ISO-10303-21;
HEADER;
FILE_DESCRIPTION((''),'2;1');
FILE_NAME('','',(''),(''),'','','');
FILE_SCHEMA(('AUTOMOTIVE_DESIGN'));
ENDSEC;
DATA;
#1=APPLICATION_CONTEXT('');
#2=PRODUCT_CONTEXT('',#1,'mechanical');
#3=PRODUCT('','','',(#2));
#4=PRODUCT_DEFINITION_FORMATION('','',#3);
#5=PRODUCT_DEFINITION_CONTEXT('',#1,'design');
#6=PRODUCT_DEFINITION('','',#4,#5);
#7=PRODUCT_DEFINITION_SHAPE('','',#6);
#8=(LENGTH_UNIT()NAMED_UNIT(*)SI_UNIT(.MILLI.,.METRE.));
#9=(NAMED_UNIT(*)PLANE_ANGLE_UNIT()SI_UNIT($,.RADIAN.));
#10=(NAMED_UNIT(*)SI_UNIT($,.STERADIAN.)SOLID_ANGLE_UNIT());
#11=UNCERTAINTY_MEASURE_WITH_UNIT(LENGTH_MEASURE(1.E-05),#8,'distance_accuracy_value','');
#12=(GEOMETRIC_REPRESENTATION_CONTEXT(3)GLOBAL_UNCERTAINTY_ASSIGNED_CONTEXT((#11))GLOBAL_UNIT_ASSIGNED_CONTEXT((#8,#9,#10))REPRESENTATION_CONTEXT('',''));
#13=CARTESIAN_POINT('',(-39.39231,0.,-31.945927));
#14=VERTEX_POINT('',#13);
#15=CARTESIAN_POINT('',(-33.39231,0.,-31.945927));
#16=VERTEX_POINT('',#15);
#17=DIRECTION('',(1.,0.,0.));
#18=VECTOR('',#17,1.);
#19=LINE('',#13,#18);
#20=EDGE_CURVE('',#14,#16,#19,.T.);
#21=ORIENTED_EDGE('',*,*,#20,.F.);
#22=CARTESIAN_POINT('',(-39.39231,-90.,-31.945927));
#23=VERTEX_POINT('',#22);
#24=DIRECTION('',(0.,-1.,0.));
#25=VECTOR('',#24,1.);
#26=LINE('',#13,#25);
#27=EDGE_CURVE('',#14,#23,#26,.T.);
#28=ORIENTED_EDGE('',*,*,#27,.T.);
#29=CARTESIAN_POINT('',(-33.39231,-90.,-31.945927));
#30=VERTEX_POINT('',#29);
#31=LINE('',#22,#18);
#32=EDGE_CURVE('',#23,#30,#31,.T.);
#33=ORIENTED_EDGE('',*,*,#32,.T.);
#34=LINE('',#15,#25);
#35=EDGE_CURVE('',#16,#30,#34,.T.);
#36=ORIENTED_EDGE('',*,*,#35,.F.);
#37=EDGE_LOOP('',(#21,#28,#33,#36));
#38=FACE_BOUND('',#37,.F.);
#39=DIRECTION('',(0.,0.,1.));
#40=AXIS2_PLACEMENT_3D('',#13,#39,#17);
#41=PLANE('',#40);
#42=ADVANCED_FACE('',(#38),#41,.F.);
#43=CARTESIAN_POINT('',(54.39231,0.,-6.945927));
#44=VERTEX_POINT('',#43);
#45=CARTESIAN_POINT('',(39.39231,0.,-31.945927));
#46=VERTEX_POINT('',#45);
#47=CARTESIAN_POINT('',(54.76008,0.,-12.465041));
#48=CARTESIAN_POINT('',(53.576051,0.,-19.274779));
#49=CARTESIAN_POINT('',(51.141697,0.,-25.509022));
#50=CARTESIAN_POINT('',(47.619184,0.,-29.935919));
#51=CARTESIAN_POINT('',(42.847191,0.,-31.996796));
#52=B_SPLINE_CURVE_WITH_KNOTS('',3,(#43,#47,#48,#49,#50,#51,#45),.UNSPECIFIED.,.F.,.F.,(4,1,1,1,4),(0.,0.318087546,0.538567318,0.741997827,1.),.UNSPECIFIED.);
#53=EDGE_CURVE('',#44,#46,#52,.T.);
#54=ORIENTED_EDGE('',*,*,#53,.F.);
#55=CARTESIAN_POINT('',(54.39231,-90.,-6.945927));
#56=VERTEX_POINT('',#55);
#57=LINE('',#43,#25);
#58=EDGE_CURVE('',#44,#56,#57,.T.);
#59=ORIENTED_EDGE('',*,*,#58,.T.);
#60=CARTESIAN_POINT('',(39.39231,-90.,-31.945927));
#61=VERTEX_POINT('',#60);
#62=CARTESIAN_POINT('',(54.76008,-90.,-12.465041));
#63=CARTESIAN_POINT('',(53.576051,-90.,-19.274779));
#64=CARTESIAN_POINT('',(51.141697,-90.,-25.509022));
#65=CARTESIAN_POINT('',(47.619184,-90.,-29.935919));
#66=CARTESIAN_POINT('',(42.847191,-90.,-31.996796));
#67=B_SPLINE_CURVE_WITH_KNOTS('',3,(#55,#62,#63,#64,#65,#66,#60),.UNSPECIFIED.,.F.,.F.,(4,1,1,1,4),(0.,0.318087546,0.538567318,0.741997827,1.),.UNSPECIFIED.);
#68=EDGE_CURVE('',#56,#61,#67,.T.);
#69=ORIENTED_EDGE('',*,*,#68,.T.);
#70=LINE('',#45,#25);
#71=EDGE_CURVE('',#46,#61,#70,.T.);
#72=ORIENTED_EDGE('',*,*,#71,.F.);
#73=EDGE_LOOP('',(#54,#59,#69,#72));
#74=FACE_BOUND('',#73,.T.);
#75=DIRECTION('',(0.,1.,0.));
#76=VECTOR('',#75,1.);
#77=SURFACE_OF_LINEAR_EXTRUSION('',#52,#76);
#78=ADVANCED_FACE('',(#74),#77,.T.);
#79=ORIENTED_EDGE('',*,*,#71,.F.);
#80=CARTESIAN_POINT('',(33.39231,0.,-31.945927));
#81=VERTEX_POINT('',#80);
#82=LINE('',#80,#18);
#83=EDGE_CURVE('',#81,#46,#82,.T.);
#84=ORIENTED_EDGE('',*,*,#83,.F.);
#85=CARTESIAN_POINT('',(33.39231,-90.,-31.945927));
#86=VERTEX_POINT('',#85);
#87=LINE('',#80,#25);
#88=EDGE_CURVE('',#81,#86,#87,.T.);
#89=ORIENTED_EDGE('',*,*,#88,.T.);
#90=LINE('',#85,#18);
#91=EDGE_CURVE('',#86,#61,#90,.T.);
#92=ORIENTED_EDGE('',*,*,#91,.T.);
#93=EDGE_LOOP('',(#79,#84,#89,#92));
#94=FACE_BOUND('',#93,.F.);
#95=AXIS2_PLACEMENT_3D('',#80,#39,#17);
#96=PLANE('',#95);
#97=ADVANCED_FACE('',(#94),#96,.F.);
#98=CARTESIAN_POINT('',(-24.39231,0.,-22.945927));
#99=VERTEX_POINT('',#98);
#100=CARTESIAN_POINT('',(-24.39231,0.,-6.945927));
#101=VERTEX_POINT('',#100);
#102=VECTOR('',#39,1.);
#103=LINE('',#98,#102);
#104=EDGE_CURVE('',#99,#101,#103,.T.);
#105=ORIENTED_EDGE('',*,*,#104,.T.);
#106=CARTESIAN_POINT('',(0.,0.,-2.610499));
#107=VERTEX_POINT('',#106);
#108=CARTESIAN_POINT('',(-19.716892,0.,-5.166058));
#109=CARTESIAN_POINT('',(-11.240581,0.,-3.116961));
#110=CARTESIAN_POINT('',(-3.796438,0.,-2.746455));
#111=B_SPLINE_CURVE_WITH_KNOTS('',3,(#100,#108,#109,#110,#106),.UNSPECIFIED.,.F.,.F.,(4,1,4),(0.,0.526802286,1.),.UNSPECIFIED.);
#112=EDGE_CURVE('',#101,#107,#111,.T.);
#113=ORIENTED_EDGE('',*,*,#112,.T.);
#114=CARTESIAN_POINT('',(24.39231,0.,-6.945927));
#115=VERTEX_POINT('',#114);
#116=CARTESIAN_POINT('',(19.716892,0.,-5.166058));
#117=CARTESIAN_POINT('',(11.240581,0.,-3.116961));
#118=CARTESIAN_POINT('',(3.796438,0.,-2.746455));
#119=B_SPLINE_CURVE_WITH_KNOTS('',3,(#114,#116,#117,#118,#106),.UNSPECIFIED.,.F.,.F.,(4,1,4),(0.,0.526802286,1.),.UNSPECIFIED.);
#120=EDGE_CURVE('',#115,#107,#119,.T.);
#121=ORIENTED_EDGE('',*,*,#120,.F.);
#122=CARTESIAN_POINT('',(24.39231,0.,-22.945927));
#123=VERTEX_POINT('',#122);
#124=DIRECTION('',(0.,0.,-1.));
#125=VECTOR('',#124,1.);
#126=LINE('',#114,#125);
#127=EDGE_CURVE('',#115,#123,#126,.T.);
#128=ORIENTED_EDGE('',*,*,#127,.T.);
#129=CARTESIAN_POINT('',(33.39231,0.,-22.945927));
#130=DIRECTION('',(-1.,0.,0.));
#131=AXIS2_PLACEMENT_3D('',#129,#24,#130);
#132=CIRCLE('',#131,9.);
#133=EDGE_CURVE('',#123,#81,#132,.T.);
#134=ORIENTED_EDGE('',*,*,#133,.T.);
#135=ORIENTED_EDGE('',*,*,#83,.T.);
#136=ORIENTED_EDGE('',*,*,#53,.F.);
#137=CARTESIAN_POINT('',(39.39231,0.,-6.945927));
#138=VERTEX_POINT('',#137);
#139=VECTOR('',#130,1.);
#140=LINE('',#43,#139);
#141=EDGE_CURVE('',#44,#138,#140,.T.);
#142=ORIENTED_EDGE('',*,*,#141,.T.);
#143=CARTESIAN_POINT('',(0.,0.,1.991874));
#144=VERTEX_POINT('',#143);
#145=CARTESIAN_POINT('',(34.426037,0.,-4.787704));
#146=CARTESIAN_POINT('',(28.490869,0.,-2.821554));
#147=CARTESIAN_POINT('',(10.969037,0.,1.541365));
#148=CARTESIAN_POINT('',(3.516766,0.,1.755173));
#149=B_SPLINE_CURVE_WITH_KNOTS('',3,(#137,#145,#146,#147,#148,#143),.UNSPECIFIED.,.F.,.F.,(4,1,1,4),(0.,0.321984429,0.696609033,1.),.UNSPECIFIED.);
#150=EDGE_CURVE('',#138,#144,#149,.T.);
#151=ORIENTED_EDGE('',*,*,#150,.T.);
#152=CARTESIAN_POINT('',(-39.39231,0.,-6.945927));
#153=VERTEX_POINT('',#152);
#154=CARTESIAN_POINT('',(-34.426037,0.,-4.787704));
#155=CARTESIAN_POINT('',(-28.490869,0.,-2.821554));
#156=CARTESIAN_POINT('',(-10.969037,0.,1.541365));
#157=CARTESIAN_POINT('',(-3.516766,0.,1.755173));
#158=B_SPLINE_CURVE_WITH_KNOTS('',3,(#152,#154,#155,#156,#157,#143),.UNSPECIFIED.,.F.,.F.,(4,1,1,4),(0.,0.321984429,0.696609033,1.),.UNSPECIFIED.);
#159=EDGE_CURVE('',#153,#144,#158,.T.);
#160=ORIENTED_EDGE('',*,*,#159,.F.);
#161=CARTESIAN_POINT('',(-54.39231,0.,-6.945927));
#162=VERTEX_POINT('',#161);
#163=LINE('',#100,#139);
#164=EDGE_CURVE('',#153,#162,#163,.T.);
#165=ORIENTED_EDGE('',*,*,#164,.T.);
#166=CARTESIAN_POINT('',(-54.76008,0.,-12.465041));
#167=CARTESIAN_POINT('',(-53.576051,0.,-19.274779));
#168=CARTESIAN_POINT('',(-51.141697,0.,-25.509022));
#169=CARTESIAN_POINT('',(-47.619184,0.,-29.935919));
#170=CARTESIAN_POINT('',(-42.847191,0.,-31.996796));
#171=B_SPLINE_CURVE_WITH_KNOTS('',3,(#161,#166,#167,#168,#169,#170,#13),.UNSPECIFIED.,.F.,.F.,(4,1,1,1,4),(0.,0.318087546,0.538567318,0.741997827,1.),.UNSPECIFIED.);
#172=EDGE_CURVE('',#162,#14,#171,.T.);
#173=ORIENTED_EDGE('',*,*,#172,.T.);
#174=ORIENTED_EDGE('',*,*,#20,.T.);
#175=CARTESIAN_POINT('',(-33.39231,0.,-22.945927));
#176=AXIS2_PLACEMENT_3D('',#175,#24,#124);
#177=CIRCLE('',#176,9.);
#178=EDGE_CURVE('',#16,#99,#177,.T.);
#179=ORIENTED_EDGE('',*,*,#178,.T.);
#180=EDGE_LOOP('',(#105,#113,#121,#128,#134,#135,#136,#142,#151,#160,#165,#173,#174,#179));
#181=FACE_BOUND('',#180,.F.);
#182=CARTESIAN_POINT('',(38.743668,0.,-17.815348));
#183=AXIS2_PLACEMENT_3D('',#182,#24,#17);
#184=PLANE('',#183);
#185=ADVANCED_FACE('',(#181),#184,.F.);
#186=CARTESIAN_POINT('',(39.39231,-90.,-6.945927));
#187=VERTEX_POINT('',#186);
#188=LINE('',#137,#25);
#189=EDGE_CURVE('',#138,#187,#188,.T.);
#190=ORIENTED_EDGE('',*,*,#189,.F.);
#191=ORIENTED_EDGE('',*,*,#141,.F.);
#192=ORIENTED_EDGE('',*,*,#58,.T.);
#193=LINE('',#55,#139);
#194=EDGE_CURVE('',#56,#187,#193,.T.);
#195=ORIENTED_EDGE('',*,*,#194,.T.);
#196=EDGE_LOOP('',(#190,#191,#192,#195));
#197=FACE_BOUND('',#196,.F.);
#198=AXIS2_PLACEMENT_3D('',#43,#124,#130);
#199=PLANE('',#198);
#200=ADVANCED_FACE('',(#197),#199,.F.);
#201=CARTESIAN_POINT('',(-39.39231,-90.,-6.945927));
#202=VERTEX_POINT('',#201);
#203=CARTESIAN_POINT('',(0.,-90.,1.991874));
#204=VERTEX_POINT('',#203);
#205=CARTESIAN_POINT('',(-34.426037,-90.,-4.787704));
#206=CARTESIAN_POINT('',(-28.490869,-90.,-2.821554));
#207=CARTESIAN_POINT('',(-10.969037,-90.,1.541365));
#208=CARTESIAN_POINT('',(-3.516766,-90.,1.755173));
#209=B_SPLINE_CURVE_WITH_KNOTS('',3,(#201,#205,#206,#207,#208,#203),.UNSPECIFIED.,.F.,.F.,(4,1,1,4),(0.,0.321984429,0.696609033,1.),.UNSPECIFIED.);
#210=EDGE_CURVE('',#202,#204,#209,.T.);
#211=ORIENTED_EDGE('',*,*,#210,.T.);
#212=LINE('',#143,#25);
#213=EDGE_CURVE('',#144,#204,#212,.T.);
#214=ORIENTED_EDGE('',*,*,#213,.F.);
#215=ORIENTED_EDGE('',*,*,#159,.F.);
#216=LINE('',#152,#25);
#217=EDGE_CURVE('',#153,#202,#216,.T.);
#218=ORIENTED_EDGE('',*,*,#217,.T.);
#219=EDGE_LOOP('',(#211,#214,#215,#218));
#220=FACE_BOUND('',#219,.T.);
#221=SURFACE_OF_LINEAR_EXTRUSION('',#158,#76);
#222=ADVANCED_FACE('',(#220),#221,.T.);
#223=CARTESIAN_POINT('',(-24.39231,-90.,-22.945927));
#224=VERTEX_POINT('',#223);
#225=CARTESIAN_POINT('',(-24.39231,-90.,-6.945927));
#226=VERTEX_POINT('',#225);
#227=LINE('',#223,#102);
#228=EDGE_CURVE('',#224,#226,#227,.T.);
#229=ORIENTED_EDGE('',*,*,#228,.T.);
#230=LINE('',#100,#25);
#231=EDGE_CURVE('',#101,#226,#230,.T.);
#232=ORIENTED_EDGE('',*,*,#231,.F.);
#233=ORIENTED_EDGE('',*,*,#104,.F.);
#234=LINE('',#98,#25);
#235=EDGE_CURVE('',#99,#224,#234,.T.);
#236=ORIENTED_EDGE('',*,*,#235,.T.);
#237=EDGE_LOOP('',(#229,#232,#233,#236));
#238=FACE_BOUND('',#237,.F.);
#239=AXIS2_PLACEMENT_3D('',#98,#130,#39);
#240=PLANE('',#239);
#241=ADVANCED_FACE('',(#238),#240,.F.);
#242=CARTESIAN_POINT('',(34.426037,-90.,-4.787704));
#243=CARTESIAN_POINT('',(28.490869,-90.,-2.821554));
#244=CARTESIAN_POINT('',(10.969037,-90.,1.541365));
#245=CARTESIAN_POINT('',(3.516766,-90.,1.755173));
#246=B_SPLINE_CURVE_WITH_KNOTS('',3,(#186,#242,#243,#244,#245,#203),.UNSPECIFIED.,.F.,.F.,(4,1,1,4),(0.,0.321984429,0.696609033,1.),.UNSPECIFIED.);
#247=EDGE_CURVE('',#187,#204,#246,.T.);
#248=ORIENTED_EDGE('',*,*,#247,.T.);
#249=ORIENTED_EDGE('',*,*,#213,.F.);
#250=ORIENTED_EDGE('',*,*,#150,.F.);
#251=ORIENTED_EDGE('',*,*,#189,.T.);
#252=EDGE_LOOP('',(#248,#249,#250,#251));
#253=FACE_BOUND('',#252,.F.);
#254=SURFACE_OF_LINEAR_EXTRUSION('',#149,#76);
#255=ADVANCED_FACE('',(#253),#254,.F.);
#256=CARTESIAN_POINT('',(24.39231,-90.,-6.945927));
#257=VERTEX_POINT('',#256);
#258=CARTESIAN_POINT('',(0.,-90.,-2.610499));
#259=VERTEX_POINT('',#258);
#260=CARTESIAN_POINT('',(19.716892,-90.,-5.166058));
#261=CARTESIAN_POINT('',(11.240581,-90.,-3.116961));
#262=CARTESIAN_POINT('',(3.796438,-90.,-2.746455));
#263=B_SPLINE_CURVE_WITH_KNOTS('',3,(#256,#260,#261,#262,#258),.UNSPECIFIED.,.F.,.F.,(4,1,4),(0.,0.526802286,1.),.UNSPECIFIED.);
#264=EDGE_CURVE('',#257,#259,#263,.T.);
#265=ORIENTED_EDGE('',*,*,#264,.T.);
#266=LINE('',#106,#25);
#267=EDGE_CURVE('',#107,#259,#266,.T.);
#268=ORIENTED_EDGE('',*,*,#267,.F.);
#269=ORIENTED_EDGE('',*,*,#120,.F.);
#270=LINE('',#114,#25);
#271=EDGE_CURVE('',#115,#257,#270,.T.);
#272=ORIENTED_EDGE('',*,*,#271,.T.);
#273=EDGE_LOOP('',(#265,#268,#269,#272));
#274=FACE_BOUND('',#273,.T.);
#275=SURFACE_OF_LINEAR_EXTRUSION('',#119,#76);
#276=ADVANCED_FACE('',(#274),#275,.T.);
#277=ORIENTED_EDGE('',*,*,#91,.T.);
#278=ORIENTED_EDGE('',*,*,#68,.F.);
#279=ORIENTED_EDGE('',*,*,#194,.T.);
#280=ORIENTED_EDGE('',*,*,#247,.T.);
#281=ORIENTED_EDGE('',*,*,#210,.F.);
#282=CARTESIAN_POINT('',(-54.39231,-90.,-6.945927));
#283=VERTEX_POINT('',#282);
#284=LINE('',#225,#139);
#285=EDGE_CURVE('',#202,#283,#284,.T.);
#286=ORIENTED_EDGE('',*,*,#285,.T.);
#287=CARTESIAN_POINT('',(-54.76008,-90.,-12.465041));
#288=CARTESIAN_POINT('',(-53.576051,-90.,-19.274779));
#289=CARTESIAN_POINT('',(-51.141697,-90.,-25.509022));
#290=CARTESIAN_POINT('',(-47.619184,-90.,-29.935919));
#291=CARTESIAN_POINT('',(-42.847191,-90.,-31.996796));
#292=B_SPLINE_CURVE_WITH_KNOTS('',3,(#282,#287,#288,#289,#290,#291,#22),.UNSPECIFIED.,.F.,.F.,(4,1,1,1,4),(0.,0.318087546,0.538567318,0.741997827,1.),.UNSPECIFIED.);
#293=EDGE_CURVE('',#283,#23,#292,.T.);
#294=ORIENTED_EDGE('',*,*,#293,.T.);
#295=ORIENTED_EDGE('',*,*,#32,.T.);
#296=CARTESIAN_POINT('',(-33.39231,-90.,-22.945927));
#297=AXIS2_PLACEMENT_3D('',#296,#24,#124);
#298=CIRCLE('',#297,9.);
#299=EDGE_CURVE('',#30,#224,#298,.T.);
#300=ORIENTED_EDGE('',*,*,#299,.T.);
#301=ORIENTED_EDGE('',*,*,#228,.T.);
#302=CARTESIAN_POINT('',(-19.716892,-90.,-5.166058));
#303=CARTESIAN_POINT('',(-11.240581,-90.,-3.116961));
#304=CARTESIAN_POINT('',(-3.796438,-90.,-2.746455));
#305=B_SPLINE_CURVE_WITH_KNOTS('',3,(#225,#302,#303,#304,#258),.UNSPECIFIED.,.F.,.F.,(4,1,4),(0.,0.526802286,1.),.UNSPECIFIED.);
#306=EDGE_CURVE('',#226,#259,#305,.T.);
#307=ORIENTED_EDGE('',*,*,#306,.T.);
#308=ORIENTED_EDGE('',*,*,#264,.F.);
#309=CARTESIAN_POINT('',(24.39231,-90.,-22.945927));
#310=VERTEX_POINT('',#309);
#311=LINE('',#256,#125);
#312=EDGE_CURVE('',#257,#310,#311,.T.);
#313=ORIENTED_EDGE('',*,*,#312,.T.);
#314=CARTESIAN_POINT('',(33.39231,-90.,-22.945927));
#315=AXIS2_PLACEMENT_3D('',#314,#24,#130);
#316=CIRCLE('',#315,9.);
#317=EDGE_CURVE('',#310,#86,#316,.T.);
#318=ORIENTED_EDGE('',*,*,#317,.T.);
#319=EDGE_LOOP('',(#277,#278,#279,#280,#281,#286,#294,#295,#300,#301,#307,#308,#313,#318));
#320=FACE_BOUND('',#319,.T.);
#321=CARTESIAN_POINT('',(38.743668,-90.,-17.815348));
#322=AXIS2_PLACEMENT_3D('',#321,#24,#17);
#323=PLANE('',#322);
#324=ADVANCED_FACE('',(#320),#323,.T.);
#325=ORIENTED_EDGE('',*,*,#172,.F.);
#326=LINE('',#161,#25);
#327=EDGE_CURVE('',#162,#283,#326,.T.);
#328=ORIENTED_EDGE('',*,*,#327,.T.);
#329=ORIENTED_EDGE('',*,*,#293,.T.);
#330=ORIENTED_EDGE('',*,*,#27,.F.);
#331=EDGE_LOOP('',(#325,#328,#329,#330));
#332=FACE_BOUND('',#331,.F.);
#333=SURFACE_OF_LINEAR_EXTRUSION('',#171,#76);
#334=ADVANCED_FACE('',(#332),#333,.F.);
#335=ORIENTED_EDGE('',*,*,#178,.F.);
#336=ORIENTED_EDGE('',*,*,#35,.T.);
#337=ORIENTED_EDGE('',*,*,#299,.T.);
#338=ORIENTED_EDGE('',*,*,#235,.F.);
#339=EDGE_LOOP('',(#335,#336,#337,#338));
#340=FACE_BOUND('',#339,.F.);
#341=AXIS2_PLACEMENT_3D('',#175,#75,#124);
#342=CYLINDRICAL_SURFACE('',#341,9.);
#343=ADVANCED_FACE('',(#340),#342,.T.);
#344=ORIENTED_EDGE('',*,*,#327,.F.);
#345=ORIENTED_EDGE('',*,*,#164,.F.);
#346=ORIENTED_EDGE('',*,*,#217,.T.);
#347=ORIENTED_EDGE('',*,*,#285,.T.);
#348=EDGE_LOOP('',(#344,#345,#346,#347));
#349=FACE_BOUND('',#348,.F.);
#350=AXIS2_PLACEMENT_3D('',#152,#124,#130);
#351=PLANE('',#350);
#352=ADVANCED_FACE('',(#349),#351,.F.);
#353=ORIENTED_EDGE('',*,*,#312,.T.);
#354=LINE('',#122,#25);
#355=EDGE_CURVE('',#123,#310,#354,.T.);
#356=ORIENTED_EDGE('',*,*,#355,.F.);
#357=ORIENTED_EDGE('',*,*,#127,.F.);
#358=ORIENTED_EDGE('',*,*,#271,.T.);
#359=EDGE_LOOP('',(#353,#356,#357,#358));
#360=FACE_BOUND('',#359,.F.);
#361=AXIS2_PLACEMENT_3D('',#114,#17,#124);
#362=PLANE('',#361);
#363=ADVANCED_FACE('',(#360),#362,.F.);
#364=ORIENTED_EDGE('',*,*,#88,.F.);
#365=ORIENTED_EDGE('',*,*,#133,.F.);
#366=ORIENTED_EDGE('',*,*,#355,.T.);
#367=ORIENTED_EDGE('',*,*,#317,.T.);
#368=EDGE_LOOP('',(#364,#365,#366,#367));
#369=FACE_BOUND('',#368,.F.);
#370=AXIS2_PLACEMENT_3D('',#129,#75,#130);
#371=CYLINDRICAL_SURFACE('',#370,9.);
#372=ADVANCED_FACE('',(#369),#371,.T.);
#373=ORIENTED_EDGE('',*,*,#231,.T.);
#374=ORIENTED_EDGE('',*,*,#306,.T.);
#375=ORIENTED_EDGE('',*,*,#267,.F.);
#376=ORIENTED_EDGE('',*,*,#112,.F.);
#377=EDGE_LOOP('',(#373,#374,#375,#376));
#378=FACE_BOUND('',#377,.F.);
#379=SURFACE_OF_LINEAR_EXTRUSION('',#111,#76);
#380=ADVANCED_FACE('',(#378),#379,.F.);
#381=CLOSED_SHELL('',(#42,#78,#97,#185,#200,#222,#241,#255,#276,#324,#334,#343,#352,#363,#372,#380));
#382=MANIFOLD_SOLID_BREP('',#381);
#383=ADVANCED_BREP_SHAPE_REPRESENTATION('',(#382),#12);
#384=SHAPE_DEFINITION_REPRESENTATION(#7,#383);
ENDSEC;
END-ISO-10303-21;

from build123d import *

# Parameters (mm, degrees)
F1_DEPTH = 90


with BuildPart() as f1:
    # F0 (on Front) → F1 (new body)
    with BuildSketch(Plane.XZ):
        with BuildLine():
            Line((54.3923101205, -6.9459271067), (39.3923101205, -6.9459271067))
            Line((39.3923101205, -6.9459271067), (24.3923101205, -6.9459271067))
            Line((24.3923101205, -6.9459271067), (24.3923101205, -22.9459271067))
            ThreePointArc((24.3923101205, -22.9459271067), (27.0283490898, -29.3098881374), (33.3923101205, -31.9459271067))
            Line((33.3923101205, -31.9459271067), (39.3923101205, -31.9459271067))
            add(Edge.make_bspline(
                [(54.3923101205, -6.9459271067), (54.7600798309, -12.4650411308), (53.5760512989, -19.2747786322), (51.1416965676, -25.5090219107), (47.6191843875, -29.9359194122), (42.847190561, -31.9967957119), (39.3923101205, -31.9459271067)],
                knots=[0, 0, 0, 0, 0.318087546, 0.5385673182, 0.7419978267, 1, 1, 1, 1], degree=3))
        make_face()
        with BuildLine():
            Line((24.3923101205, -6.9459271067), (39.3923101205, -6.9459271067))
            add(Edge.make_bspline(
                [(39.3923101205, -6.9459271067), (34.4260372221, -4.787703976), (28.490868897, -2.8215542068), (10.9690373288, 1.5413653414), (3.5167664753, 1.7551726321), (0, 1.991873607)],
                knots=[0, 0, 0, 0, 0.3219844291, 0.6966090332, 1, 1, 1, 1], degree=3))
            add(Edge.make_bspline(
                [(-39.3923101205, -6.9459271067), (-34.4260372221, -4.787703976), (-28.490868897, -2.8215542068), (-10.9690373288, 1.5413653414), (-3.5167664753, 1.7551726321), (0, 1.991873607)],
                knots=[0, 0, 0, 0, 0.3219844291, 0.6966090332, 1, 1, 1, 1], degree=3))
            Line((-39.3923101205, -6.9459271067), (-24.3923101205, -6.9459271067))
            add(Edge.make_bspline(
                [(-24.3923101205, -6.9459271067), (-19.7168922052, -5.166058033), (-11.2405807669, -3.1169609653), (-3.7964381143, -2.7464545273), (0, -2.6104990393)],
                knots=[0, 0, 0, 0, 0.5268022864, 1, 1, 1, 1], degree=3))
            add(Edge.make_bspline(
                [(24.3923101205, -6.9459271067), (19.7168922052, -5.166058033), (11.2405807669, -3.1169609653), (3.7964381143, -2.7464545273), (0, -2.6104990393)],
                knots=[0, 0, 0, 0, 0.5268022864, 1, 1, 1, 1], degree=3))
        make_face()
        with BuildLine():
            Line((-24.3923101205, -6.9459271067), (-39.3923101205, -6.9459271067))
            Line((-39.3923101205, -6.9459271067), (-54.3923101205, -6.9459271067))
            add(Edge.make_bspline(
                [(-54.3923101205, -6.9459271067), (-54.7600798309, -12.4650411308), (-53.5760512989, -19.2747786322), (-51.1416965676, -25.5090219107), (-47.6191843875, -29.9359194122), (-42.847190561, -31.9967957119), (-39.3923101205, -31.9459271067)],
                knots=[0, 0, 0, 0, 0.318087546, 0.5385673182, 0.7419978267, 1, 1, 1, 1], degree=3))
            Line((-39.3923101205, -31.9459271067), (-33.3923101205, -31.9459271067))
            ThreePointArc((-33.3923101205, -31.9459271067), (-27.0283490898, -29.3098881374), (-24.3923101205, -22.9459271067))
            Line((-24.3923101205, -22.9459271067), (-24.3923101205, -6.9459271067))
        make_face()
    extrude(amount=F1_DEPTH)


solid = f1.part
